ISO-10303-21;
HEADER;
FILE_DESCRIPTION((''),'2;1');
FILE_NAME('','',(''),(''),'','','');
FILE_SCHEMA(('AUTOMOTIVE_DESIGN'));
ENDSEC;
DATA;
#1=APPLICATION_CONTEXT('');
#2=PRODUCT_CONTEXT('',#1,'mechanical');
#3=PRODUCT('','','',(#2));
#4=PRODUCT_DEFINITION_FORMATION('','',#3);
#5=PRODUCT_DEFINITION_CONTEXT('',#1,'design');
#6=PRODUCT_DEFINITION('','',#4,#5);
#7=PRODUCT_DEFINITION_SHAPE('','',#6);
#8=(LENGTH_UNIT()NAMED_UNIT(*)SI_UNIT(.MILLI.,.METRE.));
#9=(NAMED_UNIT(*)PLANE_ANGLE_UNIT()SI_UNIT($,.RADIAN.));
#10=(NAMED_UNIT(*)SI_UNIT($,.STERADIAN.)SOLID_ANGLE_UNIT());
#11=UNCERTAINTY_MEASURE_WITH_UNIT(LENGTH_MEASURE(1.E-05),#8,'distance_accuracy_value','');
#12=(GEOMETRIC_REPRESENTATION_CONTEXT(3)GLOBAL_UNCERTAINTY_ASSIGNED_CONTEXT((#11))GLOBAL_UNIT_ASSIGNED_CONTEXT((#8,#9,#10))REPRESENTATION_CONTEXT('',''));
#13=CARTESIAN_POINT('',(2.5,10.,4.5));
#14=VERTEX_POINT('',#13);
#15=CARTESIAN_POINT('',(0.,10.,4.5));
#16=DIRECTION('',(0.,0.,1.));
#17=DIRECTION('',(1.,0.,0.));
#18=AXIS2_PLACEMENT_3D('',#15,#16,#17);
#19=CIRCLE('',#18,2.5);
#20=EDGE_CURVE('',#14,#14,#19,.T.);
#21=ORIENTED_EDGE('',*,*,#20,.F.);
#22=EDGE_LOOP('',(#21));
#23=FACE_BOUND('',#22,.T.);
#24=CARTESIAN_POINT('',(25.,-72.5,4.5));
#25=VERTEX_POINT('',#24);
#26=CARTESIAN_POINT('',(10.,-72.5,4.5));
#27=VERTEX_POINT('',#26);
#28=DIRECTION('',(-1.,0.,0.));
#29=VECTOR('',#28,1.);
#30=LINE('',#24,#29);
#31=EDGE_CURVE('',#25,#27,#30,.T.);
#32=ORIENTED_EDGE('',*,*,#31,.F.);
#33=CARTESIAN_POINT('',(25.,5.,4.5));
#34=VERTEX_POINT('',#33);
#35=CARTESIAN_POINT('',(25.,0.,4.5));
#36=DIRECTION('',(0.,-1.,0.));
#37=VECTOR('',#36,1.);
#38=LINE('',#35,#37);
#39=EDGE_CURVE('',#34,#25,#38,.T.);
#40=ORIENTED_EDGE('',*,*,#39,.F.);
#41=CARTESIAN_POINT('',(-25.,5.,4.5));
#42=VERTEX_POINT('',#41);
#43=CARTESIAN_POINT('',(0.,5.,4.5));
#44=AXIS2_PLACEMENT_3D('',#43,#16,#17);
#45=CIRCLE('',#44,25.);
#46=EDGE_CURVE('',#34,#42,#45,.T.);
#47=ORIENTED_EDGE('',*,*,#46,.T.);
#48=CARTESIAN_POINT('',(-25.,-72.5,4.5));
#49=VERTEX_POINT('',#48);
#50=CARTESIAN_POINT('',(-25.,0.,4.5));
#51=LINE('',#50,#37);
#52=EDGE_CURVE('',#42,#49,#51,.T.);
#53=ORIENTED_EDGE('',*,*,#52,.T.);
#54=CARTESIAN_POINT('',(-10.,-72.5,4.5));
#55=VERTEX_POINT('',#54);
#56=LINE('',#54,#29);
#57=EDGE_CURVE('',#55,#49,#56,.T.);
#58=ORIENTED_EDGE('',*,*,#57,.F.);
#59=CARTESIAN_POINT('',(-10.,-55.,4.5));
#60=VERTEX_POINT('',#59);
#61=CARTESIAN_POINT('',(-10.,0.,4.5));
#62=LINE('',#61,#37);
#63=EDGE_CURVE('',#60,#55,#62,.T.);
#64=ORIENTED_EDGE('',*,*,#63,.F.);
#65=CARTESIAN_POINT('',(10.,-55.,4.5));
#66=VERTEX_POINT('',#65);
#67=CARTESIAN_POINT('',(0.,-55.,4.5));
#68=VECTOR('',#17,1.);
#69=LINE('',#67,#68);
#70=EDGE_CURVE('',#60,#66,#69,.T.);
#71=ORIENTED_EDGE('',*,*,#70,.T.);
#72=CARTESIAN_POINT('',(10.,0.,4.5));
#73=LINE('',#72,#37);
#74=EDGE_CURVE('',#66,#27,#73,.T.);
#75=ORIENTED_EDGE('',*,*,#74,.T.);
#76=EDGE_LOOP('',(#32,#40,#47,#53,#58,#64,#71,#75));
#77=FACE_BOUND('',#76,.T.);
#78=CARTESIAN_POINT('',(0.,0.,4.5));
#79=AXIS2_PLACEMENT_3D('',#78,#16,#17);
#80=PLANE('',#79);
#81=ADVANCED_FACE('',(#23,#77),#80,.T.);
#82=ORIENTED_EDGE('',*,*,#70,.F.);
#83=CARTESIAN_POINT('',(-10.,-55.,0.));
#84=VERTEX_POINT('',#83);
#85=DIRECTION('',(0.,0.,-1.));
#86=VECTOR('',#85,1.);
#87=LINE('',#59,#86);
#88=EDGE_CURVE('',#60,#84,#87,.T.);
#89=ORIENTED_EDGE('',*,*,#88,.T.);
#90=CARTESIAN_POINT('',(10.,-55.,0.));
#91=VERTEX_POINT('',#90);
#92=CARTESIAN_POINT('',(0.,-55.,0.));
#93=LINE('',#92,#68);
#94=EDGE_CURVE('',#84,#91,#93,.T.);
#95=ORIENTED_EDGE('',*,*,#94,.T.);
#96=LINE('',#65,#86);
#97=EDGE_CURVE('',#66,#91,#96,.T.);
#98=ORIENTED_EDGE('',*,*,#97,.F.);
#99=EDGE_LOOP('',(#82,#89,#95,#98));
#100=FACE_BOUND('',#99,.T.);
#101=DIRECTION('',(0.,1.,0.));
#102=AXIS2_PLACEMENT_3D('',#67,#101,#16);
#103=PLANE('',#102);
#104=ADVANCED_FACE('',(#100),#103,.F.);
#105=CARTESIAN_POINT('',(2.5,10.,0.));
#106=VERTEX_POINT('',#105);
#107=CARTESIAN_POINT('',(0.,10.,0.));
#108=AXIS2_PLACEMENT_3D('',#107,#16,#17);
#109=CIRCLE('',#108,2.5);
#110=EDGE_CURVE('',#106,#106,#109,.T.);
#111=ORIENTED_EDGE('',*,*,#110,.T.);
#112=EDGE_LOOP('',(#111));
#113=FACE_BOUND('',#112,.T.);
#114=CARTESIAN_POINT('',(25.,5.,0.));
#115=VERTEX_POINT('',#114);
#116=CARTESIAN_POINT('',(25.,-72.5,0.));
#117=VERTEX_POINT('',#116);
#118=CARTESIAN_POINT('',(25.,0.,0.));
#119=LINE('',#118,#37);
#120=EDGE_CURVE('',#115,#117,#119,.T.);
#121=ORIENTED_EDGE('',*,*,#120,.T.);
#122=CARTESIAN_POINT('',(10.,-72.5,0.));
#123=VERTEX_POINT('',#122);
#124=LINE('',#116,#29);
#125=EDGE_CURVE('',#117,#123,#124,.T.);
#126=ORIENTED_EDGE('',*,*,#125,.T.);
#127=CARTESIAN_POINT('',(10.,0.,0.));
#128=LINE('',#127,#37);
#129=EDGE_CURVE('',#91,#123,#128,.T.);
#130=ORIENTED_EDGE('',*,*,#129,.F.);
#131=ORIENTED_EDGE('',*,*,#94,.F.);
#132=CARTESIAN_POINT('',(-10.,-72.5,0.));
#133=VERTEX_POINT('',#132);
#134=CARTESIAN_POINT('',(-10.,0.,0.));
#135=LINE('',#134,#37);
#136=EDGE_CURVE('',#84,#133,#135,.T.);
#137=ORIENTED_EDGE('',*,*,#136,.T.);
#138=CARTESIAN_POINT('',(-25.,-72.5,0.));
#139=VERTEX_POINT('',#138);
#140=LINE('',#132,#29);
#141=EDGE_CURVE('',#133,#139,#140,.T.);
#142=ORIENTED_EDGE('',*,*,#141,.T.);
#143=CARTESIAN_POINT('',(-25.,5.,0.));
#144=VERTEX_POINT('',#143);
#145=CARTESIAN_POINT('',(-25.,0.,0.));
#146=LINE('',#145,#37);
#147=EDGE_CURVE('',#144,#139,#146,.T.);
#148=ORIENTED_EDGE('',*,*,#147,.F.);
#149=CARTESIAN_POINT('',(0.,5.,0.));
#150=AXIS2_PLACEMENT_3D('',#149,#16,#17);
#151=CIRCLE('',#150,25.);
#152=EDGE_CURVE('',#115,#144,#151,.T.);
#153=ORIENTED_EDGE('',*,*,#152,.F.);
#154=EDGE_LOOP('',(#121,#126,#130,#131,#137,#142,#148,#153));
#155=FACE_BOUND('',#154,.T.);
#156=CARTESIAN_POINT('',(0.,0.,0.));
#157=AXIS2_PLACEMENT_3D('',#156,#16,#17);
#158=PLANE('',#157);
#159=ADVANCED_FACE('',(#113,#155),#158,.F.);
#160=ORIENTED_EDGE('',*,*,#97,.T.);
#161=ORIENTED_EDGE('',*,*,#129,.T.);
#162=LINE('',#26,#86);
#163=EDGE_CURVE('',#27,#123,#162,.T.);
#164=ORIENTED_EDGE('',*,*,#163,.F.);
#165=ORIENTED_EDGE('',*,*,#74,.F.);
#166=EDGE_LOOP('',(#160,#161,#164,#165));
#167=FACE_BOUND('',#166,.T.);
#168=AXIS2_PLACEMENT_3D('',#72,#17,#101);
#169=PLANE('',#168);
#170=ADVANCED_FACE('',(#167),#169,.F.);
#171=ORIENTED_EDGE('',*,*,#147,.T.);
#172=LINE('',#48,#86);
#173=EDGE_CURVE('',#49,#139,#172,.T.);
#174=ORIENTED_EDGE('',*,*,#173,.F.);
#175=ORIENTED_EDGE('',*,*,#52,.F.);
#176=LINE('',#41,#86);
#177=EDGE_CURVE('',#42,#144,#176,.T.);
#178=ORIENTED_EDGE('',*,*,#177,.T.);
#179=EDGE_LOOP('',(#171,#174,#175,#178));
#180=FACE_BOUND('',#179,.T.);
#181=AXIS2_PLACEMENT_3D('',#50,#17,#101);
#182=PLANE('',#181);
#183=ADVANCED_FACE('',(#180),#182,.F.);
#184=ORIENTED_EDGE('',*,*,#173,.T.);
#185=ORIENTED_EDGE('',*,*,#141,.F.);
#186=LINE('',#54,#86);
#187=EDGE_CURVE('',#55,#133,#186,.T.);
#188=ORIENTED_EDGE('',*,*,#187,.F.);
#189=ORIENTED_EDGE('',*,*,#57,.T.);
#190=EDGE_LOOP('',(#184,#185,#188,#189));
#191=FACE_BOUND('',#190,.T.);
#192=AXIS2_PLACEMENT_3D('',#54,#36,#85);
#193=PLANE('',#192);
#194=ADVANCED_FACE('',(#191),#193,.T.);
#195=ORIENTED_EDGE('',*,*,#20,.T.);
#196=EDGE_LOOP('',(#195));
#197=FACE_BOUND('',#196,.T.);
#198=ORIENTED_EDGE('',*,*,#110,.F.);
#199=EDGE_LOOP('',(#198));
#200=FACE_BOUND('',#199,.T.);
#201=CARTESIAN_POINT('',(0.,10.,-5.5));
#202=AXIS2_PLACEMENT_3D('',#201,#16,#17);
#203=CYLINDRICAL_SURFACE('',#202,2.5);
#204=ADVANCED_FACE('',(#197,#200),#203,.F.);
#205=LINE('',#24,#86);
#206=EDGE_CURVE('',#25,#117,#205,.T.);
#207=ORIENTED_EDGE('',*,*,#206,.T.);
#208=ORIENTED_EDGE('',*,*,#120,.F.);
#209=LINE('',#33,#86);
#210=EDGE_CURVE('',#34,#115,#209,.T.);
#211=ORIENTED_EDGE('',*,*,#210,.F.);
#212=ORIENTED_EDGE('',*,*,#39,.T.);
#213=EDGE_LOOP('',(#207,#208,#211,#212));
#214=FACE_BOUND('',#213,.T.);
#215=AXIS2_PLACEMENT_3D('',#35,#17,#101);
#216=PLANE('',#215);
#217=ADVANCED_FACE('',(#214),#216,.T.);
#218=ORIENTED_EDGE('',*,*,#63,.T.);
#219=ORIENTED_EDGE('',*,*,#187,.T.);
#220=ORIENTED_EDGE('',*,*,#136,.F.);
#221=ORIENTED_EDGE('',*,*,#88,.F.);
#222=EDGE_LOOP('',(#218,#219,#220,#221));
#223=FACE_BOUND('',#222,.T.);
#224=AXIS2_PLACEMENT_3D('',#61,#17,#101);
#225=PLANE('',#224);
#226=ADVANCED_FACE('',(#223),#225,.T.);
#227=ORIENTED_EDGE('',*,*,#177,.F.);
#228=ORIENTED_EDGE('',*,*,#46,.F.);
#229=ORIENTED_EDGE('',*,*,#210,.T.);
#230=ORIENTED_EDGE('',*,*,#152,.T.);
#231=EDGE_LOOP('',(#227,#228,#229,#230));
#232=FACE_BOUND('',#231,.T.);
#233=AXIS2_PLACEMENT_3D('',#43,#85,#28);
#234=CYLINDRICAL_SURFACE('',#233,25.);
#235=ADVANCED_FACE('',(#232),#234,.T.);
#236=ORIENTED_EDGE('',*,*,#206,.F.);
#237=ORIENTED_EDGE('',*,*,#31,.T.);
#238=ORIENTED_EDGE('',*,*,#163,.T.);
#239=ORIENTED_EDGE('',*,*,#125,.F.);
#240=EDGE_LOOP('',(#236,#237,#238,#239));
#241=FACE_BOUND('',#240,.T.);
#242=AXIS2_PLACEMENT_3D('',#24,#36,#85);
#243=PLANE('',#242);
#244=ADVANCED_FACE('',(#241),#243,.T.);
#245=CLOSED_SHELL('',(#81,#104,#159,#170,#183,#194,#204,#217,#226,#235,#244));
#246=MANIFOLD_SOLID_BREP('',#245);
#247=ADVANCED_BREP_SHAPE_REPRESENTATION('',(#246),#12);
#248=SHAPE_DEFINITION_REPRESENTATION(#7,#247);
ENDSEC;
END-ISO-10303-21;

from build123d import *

# Parameters (mm, degrees)
SKETCH1_W           = 15
SKETCH1_H           = 10
SKETCH1_H_2         = 7.5
BOSS_EXTRUDE1_DEPTH = 4.5
SKETCH2_R           = 2.5
CUT_EXTRUDE1_DEPTH  = 10


with BuildPart() as part:
    # Sketch1 → Boss-Extrude1 (new body)
    with BuildSketch(Plane.XY):
        Polygon((-25, -55), (-10, -55), (10, -55), (25, -55), (25, 5), (-25, 5), align=None)
        with Locations((17.5, -60)):
            Rectangle(SKETCH1_W, SKETCH1_H)
        with Locations((-17.5, -60)):
            Rectangle(SKETCH1_W, SKETCH1_H)
        with BuildLine():
            Line((-25, 5), (25, 5))
            ThreePointArc((25, 5), (0, 30), (-25, 5))
        make_face()
        with Locations((-17.5, -68.75)):
            Rectangle(SKETCH1_W, SKETCH1_H_2)
        with Locations((17.5, -68.75)):
            Rectangle(SKETCH1_W, SKETCH1_H_2)
    extrude(amount=BOSS_EXTRUDE1_DEPTH)

    # Sketch2 → Cut-Extrude1 (cut)
    with BuildSketch(Plane.XY.offset(4.5)):
        with Locations((0, 10)):
            Circle(SKETCH2_R)
    extrude(amount=-CUT_EXTRUDE1_DEPTH, mode=Mode.SUBTRACT)


solid = part.part
